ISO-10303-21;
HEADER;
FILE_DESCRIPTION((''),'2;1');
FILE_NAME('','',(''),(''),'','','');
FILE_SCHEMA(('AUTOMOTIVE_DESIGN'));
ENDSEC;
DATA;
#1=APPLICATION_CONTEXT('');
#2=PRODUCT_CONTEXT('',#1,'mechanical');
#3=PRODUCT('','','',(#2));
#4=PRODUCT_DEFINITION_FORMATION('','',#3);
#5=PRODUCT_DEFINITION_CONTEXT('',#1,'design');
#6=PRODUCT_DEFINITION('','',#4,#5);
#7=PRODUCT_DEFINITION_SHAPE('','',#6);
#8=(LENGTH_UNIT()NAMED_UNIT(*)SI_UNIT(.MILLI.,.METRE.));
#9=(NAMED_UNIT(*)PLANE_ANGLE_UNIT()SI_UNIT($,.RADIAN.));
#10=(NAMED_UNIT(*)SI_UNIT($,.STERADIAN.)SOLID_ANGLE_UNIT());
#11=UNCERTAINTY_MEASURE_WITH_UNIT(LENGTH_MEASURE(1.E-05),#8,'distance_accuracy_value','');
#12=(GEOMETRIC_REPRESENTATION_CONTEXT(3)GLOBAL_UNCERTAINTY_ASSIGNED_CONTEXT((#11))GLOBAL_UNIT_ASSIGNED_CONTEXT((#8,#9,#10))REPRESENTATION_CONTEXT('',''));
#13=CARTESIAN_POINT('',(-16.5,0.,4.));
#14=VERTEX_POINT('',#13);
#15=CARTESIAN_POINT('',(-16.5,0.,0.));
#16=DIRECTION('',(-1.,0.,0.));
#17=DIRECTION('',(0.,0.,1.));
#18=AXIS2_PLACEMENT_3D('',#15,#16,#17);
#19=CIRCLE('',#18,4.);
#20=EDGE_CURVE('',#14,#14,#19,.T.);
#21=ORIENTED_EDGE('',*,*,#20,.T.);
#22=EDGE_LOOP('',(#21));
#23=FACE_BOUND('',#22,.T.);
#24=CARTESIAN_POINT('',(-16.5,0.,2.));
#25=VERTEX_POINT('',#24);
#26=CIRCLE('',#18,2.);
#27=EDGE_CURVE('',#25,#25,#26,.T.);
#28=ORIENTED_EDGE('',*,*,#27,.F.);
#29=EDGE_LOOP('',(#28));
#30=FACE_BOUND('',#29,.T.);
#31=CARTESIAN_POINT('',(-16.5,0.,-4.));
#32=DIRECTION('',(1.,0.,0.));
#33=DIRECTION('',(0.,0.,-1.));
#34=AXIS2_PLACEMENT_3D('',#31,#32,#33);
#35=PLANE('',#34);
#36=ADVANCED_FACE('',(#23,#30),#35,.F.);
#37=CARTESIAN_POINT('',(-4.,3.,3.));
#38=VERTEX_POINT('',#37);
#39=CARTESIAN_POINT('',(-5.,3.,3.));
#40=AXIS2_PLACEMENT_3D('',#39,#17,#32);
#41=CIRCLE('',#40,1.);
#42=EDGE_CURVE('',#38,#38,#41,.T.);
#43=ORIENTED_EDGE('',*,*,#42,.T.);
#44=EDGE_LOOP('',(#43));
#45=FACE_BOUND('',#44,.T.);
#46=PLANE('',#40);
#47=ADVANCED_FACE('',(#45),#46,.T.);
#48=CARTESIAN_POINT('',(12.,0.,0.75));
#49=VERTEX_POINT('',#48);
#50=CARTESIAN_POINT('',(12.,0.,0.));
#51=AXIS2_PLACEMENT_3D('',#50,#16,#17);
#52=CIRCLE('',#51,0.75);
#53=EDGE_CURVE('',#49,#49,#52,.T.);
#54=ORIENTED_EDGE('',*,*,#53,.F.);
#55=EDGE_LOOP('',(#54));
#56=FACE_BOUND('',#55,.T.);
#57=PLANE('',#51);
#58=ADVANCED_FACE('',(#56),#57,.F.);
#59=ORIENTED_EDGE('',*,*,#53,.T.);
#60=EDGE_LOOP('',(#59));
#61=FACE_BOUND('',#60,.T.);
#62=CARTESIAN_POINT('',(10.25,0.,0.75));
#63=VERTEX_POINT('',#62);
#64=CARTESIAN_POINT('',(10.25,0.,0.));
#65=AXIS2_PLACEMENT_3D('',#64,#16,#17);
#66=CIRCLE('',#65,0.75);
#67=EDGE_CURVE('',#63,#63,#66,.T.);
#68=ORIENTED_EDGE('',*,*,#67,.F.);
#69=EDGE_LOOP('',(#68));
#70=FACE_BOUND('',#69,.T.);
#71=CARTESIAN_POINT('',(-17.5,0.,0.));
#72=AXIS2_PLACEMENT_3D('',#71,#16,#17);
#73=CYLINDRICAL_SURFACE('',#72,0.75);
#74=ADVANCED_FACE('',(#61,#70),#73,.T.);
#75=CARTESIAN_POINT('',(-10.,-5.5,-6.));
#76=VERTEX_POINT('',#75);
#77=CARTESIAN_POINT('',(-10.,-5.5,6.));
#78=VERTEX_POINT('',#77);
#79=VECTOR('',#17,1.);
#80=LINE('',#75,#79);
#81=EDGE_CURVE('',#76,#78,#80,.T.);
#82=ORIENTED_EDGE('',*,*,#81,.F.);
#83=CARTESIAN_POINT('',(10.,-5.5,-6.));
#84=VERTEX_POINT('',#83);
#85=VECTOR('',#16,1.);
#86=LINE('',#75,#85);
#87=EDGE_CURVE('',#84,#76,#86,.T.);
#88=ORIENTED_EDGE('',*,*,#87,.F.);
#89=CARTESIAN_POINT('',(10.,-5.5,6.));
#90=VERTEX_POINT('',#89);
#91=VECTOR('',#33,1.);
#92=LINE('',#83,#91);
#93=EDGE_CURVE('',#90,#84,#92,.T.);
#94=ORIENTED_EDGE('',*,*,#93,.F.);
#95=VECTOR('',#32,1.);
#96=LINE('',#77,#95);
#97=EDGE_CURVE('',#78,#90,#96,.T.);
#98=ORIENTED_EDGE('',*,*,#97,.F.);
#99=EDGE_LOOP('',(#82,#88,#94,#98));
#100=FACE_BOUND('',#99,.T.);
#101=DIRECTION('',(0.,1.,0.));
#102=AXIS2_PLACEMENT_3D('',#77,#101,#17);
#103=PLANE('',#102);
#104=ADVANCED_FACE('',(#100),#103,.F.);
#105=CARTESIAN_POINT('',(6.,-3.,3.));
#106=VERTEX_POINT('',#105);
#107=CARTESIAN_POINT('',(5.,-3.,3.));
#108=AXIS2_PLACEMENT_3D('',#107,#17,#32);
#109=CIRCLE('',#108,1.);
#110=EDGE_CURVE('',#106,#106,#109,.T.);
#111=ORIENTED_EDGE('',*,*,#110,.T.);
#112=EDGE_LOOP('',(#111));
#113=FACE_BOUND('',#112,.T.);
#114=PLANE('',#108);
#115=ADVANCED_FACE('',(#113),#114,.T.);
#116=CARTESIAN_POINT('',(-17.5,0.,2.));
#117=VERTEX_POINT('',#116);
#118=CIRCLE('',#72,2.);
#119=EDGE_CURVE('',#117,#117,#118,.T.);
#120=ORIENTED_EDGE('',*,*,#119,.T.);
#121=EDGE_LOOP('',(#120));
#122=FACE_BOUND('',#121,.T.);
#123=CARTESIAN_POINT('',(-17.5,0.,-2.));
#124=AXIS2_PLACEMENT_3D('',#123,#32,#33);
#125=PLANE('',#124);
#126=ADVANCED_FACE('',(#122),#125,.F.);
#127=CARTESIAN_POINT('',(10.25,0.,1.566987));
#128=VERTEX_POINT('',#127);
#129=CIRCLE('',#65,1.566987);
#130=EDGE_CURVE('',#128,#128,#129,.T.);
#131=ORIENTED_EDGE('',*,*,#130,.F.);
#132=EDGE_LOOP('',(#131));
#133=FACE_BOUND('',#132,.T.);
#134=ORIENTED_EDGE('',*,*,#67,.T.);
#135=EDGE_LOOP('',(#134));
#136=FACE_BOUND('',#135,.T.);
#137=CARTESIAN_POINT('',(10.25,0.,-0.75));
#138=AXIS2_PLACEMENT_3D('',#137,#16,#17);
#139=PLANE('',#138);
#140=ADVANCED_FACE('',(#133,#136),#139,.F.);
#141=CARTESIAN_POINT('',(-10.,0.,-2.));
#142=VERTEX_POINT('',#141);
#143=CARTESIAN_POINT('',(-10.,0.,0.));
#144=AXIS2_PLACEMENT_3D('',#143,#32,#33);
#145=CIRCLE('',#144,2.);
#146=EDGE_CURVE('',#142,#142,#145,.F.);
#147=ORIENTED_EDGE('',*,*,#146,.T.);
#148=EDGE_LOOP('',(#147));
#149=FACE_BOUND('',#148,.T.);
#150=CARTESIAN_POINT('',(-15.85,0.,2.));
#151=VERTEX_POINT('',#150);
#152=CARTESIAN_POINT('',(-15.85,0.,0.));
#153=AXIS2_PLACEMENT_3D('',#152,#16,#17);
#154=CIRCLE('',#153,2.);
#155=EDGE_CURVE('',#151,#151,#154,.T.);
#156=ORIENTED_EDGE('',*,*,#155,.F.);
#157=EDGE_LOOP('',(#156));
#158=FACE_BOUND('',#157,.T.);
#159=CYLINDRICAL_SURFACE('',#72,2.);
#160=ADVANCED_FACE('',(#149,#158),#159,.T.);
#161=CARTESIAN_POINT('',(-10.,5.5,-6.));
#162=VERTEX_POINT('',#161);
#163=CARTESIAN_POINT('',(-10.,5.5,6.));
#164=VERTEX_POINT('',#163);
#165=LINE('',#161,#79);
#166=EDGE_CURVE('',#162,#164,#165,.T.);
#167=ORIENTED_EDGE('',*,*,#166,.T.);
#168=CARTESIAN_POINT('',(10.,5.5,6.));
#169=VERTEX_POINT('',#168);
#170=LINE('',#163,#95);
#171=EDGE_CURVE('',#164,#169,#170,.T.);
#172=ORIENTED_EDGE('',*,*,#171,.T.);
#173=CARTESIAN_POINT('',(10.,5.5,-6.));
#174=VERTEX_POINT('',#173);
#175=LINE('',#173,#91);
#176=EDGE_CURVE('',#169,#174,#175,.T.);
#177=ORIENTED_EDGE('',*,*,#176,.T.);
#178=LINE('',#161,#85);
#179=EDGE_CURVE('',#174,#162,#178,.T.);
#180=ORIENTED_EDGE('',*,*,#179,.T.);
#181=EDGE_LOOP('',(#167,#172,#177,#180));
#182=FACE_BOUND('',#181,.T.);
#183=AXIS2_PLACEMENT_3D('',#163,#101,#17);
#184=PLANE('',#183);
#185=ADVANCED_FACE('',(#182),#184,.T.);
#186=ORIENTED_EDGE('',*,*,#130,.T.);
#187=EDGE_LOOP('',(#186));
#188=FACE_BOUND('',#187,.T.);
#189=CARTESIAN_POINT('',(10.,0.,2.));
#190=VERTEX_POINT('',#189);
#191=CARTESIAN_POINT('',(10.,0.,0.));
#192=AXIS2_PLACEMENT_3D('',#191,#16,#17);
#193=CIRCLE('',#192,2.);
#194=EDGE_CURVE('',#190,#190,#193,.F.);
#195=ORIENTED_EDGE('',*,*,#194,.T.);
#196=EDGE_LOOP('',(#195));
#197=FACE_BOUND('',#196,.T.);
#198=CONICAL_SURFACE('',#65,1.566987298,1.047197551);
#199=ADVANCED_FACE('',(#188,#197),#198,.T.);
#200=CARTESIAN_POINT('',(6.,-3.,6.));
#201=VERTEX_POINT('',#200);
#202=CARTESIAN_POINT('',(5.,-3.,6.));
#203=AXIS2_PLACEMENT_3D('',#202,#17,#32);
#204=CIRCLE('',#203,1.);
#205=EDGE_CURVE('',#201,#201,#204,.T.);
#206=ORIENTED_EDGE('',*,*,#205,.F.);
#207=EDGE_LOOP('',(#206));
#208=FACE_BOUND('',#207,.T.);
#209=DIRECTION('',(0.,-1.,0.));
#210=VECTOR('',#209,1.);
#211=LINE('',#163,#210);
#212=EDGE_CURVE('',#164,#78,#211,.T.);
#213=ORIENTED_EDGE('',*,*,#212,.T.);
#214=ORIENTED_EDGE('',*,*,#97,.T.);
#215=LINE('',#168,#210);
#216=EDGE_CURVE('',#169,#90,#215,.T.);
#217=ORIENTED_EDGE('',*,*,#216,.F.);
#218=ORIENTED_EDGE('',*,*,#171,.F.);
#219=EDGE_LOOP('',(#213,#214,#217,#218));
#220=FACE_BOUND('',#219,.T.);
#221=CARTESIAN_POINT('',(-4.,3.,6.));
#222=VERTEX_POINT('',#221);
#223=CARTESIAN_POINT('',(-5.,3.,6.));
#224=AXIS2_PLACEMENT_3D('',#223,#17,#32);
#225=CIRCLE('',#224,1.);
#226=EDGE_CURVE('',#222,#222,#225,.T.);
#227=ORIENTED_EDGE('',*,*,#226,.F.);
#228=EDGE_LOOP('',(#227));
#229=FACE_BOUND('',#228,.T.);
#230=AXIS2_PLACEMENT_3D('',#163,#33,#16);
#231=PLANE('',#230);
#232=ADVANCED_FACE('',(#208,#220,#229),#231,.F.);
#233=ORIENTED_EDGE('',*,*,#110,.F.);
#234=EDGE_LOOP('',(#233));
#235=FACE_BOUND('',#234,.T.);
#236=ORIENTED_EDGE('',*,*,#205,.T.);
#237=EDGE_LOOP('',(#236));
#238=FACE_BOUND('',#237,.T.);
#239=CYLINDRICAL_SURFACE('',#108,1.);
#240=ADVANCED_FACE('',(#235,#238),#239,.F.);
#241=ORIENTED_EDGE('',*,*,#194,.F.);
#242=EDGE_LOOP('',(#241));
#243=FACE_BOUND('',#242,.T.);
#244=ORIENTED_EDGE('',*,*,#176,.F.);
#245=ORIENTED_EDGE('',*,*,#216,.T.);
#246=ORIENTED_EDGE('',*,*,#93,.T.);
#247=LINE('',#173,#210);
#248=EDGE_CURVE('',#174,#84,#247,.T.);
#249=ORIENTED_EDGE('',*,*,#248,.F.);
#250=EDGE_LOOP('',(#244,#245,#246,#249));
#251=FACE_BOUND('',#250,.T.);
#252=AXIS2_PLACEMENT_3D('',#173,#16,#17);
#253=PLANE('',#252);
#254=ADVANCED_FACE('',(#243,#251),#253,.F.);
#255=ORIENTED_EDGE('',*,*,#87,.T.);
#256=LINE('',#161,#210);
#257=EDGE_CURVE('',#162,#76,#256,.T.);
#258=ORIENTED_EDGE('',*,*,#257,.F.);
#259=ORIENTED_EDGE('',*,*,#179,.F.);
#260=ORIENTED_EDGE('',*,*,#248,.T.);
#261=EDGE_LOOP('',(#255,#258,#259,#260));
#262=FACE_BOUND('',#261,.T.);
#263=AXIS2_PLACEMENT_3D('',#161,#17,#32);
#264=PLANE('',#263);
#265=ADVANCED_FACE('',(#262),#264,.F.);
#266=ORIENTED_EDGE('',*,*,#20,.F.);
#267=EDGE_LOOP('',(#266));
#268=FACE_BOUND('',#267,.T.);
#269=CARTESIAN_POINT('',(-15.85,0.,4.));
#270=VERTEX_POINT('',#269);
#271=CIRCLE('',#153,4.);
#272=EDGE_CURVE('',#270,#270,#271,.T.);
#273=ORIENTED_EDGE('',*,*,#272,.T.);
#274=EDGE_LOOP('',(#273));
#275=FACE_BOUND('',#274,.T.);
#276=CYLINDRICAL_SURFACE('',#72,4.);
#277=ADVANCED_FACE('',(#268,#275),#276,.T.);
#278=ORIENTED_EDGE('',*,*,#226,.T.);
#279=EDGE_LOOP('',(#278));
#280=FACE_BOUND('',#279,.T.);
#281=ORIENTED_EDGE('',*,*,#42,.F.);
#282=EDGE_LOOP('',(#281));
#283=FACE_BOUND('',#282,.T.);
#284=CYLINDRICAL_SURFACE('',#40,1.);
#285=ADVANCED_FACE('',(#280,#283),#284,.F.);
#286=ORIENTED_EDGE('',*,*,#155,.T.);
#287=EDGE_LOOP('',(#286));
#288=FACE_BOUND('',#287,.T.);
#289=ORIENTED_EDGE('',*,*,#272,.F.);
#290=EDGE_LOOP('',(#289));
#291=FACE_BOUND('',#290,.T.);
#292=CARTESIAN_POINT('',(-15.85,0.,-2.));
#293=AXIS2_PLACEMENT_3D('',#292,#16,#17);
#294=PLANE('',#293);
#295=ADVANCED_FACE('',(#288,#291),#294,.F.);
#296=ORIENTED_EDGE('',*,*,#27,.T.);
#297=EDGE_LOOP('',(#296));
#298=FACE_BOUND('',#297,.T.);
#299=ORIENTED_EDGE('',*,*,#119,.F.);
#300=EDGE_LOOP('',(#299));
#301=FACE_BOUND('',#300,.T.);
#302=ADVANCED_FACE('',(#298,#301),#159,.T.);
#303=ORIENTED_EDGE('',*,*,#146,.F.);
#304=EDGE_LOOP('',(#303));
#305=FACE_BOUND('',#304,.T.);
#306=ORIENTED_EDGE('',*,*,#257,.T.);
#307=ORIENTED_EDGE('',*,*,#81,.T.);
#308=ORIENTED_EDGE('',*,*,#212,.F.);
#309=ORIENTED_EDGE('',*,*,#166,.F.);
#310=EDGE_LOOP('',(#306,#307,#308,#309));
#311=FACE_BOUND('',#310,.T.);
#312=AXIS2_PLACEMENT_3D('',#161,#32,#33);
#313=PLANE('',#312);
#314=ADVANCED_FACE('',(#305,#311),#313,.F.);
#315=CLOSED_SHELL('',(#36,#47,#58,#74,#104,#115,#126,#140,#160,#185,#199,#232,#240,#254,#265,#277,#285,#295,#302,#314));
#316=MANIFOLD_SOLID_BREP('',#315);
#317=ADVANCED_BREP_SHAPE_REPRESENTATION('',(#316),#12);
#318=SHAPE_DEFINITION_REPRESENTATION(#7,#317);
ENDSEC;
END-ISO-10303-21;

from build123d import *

# Parameters (mm, degrees)
SKETCH1_W           = 20
SKETCH1_H           = 12
BOSS_EXTRUDE1_DEPTH = 5.5
SKETCH2_R           = 1
CUT_EXTRUDE1_DEPTH  = 3


with BuildPart() as part:
    # Sketch1 → Boss-Extrude1 (new body, symmetric)
    with BuildSketch(Plane(origin=(0, 0, 0), x_dir=(1, 0, 0), z_dir=(0, 1, 0))):
        Rectangle(SKETCH1_W, SKETCH1_H)
    extrude(amount=BOSS_EXTRUDE1_DEPTH, both=True)

    # Sketch2 → Cut-Extrude1 (cut)
    with BuildSketch(Plane.XY.offset(6)):
        with Locations((5, -3)):
            Circle(SKETCH2_R)
        with Locations((-5, 3)):
            Circle(SKETCH2_R)
    extrude(amount=-CUT_EXTRUDE1_DEPTH, mode=Mode.SUBTRACT)

    # Sketch3 → Revolve1 (revolve)
    with BuildSketch(Plane(origin=(0, 0, 0), x_dir=(1, 0, 0), z_dir=(0, 1, 0))):
        Polygon((12, 0), (12, 0.75), (10.25, 0.75), (10.25, 1.566987298), (10, 2), (-15.85, 2), (-15.85, 4), (-16.5, 4), (-16.5, 2), (-17.5, 2), (-17.5, 0), align=None)
    revolve(axis=Axis((-17.5, 0, 0), (1, 0, 0)))


solid = part.part
